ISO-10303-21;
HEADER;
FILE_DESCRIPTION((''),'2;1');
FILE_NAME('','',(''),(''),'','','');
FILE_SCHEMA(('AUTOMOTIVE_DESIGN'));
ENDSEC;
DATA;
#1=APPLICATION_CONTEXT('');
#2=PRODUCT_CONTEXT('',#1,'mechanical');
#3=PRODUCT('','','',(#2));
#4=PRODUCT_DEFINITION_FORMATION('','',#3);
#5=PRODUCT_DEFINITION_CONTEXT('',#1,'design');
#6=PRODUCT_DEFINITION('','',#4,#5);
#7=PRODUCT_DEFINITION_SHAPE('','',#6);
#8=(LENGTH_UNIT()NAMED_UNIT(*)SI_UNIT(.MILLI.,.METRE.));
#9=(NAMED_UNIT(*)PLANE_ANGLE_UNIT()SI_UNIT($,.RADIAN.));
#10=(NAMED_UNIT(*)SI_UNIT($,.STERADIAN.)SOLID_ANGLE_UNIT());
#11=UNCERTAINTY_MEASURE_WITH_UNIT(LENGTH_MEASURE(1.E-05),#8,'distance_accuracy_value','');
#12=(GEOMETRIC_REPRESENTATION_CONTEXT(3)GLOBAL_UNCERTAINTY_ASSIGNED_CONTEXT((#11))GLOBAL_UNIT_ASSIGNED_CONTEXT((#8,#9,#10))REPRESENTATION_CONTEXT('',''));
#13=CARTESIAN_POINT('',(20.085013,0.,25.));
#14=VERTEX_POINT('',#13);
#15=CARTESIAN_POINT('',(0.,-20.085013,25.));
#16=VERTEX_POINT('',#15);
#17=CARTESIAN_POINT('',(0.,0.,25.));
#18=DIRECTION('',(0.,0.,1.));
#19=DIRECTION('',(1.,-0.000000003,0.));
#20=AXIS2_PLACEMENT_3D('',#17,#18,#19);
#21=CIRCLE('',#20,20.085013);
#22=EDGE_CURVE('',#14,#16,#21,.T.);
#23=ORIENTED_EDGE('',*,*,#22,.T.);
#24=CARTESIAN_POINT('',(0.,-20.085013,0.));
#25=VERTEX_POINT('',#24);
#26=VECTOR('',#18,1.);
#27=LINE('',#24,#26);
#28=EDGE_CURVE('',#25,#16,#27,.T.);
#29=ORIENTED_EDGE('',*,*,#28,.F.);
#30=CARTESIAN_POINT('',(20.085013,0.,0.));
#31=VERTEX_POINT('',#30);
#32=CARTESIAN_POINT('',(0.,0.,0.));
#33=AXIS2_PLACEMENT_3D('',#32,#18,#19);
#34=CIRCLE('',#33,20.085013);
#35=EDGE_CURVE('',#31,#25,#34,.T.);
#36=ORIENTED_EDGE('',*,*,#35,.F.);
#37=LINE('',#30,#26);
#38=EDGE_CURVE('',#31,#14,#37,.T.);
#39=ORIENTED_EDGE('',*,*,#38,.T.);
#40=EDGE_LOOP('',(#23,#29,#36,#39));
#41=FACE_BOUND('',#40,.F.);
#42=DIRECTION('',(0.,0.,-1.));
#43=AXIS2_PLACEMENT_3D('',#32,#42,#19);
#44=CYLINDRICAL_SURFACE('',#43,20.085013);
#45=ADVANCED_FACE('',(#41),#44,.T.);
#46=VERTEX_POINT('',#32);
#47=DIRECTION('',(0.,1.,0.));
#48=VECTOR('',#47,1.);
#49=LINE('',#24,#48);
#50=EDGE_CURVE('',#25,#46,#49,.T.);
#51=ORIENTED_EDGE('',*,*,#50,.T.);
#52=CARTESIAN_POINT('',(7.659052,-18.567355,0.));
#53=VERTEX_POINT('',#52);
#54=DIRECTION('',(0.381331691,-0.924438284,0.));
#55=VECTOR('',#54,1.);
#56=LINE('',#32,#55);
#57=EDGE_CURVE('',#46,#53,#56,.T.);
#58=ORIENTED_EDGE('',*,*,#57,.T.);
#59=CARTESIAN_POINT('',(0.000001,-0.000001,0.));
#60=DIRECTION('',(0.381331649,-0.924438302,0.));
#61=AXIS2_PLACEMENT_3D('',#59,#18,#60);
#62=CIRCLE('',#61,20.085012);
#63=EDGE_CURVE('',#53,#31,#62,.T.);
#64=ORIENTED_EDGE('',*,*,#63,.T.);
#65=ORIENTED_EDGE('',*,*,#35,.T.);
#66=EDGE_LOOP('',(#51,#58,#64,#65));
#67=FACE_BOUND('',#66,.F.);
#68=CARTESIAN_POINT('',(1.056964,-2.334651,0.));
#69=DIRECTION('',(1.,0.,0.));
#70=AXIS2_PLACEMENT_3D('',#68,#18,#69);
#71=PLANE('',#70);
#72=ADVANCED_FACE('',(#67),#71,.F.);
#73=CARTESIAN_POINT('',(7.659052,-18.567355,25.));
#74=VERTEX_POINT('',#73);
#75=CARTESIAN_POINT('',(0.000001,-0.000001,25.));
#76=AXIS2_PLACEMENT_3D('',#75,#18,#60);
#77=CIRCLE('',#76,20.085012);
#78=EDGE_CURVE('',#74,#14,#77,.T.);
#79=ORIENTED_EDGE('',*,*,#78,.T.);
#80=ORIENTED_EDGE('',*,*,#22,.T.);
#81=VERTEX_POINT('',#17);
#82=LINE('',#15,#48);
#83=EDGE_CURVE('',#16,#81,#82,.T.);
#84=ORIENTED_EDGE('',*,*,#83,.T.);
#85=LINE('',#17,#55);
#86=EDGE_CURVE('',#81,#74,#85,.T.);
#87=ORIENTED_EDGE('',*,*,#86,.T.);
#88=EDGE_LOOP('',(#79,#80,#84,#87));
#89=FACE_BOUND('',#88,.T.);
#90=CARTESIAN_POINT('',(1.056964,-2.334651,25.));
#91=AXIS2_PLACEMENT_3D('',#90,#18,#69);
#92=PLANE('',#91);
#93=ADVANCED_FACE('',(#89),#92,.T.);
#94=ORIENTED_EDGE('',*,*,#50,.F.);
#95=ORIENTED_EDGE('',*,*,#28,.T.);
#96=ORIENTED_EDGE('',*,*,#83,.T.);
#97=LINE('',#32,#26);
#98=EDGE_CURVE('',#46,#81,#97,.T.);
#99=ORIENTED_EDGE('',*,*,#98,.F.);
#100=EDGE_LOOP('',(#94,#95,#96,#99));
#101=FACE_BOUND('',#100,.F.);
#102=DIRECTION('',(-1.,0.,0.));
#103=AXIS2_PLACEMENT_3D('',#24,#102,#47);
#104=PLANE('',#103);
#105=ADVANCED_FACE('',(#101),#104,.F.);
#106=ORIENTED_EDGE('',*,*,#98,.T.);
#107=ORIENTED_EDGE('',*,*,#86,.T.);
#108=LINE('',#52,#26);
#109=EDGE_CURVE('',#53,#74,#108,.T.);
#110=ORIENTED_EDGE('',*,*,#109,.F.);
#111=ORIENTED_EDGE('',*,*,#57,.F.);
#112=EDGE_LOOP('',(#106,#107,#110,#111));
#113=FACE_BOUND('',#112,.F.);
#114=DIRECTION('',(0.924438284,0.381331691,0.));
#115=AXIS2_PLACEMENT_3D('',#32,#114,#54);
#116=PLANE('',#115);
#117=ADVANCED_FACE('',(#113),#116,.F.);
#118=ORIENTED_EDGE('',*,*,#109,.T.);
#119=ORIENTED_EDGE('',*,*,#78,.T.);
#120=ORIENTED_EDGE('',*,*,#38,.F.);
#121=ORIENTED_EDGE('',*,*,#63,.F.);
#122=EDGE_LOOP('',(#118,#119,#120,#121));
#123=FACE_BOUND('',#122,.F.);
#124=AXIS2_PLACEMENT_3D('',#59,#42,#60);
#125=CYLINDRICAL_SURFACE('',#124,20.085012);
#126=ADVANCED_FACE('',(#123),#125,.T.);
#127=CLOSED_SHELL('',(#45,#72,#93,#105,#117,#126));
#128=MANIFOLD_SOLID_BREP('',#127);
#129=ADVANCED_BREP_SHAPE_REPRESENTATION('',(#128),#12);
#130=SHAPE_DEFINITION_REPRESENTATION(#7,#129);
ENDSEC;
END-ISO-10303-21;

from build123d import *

# Parameters (mm, degrees)
F1_DEPTH = 25


with BuildPart() as f1:
    # F0 (on Top) → F1 (new body)
    with BuildSketch(Plane.XY):
        with BuildLine():
            ThreePointArc((7.659052, -18.567355), (16.691913, -11.170846), (20.085013, 0))
            ThreePointArc((20.085013, 0), (-14.202249, 14.202249), (0, -20.085013))
            Line((0, -20.085013), (0, 0))
            Line((0, 0), (7.659052, -18.567355))
        make_face()
    extrude(amount=F1_DEPTH)


solid = f1.part
